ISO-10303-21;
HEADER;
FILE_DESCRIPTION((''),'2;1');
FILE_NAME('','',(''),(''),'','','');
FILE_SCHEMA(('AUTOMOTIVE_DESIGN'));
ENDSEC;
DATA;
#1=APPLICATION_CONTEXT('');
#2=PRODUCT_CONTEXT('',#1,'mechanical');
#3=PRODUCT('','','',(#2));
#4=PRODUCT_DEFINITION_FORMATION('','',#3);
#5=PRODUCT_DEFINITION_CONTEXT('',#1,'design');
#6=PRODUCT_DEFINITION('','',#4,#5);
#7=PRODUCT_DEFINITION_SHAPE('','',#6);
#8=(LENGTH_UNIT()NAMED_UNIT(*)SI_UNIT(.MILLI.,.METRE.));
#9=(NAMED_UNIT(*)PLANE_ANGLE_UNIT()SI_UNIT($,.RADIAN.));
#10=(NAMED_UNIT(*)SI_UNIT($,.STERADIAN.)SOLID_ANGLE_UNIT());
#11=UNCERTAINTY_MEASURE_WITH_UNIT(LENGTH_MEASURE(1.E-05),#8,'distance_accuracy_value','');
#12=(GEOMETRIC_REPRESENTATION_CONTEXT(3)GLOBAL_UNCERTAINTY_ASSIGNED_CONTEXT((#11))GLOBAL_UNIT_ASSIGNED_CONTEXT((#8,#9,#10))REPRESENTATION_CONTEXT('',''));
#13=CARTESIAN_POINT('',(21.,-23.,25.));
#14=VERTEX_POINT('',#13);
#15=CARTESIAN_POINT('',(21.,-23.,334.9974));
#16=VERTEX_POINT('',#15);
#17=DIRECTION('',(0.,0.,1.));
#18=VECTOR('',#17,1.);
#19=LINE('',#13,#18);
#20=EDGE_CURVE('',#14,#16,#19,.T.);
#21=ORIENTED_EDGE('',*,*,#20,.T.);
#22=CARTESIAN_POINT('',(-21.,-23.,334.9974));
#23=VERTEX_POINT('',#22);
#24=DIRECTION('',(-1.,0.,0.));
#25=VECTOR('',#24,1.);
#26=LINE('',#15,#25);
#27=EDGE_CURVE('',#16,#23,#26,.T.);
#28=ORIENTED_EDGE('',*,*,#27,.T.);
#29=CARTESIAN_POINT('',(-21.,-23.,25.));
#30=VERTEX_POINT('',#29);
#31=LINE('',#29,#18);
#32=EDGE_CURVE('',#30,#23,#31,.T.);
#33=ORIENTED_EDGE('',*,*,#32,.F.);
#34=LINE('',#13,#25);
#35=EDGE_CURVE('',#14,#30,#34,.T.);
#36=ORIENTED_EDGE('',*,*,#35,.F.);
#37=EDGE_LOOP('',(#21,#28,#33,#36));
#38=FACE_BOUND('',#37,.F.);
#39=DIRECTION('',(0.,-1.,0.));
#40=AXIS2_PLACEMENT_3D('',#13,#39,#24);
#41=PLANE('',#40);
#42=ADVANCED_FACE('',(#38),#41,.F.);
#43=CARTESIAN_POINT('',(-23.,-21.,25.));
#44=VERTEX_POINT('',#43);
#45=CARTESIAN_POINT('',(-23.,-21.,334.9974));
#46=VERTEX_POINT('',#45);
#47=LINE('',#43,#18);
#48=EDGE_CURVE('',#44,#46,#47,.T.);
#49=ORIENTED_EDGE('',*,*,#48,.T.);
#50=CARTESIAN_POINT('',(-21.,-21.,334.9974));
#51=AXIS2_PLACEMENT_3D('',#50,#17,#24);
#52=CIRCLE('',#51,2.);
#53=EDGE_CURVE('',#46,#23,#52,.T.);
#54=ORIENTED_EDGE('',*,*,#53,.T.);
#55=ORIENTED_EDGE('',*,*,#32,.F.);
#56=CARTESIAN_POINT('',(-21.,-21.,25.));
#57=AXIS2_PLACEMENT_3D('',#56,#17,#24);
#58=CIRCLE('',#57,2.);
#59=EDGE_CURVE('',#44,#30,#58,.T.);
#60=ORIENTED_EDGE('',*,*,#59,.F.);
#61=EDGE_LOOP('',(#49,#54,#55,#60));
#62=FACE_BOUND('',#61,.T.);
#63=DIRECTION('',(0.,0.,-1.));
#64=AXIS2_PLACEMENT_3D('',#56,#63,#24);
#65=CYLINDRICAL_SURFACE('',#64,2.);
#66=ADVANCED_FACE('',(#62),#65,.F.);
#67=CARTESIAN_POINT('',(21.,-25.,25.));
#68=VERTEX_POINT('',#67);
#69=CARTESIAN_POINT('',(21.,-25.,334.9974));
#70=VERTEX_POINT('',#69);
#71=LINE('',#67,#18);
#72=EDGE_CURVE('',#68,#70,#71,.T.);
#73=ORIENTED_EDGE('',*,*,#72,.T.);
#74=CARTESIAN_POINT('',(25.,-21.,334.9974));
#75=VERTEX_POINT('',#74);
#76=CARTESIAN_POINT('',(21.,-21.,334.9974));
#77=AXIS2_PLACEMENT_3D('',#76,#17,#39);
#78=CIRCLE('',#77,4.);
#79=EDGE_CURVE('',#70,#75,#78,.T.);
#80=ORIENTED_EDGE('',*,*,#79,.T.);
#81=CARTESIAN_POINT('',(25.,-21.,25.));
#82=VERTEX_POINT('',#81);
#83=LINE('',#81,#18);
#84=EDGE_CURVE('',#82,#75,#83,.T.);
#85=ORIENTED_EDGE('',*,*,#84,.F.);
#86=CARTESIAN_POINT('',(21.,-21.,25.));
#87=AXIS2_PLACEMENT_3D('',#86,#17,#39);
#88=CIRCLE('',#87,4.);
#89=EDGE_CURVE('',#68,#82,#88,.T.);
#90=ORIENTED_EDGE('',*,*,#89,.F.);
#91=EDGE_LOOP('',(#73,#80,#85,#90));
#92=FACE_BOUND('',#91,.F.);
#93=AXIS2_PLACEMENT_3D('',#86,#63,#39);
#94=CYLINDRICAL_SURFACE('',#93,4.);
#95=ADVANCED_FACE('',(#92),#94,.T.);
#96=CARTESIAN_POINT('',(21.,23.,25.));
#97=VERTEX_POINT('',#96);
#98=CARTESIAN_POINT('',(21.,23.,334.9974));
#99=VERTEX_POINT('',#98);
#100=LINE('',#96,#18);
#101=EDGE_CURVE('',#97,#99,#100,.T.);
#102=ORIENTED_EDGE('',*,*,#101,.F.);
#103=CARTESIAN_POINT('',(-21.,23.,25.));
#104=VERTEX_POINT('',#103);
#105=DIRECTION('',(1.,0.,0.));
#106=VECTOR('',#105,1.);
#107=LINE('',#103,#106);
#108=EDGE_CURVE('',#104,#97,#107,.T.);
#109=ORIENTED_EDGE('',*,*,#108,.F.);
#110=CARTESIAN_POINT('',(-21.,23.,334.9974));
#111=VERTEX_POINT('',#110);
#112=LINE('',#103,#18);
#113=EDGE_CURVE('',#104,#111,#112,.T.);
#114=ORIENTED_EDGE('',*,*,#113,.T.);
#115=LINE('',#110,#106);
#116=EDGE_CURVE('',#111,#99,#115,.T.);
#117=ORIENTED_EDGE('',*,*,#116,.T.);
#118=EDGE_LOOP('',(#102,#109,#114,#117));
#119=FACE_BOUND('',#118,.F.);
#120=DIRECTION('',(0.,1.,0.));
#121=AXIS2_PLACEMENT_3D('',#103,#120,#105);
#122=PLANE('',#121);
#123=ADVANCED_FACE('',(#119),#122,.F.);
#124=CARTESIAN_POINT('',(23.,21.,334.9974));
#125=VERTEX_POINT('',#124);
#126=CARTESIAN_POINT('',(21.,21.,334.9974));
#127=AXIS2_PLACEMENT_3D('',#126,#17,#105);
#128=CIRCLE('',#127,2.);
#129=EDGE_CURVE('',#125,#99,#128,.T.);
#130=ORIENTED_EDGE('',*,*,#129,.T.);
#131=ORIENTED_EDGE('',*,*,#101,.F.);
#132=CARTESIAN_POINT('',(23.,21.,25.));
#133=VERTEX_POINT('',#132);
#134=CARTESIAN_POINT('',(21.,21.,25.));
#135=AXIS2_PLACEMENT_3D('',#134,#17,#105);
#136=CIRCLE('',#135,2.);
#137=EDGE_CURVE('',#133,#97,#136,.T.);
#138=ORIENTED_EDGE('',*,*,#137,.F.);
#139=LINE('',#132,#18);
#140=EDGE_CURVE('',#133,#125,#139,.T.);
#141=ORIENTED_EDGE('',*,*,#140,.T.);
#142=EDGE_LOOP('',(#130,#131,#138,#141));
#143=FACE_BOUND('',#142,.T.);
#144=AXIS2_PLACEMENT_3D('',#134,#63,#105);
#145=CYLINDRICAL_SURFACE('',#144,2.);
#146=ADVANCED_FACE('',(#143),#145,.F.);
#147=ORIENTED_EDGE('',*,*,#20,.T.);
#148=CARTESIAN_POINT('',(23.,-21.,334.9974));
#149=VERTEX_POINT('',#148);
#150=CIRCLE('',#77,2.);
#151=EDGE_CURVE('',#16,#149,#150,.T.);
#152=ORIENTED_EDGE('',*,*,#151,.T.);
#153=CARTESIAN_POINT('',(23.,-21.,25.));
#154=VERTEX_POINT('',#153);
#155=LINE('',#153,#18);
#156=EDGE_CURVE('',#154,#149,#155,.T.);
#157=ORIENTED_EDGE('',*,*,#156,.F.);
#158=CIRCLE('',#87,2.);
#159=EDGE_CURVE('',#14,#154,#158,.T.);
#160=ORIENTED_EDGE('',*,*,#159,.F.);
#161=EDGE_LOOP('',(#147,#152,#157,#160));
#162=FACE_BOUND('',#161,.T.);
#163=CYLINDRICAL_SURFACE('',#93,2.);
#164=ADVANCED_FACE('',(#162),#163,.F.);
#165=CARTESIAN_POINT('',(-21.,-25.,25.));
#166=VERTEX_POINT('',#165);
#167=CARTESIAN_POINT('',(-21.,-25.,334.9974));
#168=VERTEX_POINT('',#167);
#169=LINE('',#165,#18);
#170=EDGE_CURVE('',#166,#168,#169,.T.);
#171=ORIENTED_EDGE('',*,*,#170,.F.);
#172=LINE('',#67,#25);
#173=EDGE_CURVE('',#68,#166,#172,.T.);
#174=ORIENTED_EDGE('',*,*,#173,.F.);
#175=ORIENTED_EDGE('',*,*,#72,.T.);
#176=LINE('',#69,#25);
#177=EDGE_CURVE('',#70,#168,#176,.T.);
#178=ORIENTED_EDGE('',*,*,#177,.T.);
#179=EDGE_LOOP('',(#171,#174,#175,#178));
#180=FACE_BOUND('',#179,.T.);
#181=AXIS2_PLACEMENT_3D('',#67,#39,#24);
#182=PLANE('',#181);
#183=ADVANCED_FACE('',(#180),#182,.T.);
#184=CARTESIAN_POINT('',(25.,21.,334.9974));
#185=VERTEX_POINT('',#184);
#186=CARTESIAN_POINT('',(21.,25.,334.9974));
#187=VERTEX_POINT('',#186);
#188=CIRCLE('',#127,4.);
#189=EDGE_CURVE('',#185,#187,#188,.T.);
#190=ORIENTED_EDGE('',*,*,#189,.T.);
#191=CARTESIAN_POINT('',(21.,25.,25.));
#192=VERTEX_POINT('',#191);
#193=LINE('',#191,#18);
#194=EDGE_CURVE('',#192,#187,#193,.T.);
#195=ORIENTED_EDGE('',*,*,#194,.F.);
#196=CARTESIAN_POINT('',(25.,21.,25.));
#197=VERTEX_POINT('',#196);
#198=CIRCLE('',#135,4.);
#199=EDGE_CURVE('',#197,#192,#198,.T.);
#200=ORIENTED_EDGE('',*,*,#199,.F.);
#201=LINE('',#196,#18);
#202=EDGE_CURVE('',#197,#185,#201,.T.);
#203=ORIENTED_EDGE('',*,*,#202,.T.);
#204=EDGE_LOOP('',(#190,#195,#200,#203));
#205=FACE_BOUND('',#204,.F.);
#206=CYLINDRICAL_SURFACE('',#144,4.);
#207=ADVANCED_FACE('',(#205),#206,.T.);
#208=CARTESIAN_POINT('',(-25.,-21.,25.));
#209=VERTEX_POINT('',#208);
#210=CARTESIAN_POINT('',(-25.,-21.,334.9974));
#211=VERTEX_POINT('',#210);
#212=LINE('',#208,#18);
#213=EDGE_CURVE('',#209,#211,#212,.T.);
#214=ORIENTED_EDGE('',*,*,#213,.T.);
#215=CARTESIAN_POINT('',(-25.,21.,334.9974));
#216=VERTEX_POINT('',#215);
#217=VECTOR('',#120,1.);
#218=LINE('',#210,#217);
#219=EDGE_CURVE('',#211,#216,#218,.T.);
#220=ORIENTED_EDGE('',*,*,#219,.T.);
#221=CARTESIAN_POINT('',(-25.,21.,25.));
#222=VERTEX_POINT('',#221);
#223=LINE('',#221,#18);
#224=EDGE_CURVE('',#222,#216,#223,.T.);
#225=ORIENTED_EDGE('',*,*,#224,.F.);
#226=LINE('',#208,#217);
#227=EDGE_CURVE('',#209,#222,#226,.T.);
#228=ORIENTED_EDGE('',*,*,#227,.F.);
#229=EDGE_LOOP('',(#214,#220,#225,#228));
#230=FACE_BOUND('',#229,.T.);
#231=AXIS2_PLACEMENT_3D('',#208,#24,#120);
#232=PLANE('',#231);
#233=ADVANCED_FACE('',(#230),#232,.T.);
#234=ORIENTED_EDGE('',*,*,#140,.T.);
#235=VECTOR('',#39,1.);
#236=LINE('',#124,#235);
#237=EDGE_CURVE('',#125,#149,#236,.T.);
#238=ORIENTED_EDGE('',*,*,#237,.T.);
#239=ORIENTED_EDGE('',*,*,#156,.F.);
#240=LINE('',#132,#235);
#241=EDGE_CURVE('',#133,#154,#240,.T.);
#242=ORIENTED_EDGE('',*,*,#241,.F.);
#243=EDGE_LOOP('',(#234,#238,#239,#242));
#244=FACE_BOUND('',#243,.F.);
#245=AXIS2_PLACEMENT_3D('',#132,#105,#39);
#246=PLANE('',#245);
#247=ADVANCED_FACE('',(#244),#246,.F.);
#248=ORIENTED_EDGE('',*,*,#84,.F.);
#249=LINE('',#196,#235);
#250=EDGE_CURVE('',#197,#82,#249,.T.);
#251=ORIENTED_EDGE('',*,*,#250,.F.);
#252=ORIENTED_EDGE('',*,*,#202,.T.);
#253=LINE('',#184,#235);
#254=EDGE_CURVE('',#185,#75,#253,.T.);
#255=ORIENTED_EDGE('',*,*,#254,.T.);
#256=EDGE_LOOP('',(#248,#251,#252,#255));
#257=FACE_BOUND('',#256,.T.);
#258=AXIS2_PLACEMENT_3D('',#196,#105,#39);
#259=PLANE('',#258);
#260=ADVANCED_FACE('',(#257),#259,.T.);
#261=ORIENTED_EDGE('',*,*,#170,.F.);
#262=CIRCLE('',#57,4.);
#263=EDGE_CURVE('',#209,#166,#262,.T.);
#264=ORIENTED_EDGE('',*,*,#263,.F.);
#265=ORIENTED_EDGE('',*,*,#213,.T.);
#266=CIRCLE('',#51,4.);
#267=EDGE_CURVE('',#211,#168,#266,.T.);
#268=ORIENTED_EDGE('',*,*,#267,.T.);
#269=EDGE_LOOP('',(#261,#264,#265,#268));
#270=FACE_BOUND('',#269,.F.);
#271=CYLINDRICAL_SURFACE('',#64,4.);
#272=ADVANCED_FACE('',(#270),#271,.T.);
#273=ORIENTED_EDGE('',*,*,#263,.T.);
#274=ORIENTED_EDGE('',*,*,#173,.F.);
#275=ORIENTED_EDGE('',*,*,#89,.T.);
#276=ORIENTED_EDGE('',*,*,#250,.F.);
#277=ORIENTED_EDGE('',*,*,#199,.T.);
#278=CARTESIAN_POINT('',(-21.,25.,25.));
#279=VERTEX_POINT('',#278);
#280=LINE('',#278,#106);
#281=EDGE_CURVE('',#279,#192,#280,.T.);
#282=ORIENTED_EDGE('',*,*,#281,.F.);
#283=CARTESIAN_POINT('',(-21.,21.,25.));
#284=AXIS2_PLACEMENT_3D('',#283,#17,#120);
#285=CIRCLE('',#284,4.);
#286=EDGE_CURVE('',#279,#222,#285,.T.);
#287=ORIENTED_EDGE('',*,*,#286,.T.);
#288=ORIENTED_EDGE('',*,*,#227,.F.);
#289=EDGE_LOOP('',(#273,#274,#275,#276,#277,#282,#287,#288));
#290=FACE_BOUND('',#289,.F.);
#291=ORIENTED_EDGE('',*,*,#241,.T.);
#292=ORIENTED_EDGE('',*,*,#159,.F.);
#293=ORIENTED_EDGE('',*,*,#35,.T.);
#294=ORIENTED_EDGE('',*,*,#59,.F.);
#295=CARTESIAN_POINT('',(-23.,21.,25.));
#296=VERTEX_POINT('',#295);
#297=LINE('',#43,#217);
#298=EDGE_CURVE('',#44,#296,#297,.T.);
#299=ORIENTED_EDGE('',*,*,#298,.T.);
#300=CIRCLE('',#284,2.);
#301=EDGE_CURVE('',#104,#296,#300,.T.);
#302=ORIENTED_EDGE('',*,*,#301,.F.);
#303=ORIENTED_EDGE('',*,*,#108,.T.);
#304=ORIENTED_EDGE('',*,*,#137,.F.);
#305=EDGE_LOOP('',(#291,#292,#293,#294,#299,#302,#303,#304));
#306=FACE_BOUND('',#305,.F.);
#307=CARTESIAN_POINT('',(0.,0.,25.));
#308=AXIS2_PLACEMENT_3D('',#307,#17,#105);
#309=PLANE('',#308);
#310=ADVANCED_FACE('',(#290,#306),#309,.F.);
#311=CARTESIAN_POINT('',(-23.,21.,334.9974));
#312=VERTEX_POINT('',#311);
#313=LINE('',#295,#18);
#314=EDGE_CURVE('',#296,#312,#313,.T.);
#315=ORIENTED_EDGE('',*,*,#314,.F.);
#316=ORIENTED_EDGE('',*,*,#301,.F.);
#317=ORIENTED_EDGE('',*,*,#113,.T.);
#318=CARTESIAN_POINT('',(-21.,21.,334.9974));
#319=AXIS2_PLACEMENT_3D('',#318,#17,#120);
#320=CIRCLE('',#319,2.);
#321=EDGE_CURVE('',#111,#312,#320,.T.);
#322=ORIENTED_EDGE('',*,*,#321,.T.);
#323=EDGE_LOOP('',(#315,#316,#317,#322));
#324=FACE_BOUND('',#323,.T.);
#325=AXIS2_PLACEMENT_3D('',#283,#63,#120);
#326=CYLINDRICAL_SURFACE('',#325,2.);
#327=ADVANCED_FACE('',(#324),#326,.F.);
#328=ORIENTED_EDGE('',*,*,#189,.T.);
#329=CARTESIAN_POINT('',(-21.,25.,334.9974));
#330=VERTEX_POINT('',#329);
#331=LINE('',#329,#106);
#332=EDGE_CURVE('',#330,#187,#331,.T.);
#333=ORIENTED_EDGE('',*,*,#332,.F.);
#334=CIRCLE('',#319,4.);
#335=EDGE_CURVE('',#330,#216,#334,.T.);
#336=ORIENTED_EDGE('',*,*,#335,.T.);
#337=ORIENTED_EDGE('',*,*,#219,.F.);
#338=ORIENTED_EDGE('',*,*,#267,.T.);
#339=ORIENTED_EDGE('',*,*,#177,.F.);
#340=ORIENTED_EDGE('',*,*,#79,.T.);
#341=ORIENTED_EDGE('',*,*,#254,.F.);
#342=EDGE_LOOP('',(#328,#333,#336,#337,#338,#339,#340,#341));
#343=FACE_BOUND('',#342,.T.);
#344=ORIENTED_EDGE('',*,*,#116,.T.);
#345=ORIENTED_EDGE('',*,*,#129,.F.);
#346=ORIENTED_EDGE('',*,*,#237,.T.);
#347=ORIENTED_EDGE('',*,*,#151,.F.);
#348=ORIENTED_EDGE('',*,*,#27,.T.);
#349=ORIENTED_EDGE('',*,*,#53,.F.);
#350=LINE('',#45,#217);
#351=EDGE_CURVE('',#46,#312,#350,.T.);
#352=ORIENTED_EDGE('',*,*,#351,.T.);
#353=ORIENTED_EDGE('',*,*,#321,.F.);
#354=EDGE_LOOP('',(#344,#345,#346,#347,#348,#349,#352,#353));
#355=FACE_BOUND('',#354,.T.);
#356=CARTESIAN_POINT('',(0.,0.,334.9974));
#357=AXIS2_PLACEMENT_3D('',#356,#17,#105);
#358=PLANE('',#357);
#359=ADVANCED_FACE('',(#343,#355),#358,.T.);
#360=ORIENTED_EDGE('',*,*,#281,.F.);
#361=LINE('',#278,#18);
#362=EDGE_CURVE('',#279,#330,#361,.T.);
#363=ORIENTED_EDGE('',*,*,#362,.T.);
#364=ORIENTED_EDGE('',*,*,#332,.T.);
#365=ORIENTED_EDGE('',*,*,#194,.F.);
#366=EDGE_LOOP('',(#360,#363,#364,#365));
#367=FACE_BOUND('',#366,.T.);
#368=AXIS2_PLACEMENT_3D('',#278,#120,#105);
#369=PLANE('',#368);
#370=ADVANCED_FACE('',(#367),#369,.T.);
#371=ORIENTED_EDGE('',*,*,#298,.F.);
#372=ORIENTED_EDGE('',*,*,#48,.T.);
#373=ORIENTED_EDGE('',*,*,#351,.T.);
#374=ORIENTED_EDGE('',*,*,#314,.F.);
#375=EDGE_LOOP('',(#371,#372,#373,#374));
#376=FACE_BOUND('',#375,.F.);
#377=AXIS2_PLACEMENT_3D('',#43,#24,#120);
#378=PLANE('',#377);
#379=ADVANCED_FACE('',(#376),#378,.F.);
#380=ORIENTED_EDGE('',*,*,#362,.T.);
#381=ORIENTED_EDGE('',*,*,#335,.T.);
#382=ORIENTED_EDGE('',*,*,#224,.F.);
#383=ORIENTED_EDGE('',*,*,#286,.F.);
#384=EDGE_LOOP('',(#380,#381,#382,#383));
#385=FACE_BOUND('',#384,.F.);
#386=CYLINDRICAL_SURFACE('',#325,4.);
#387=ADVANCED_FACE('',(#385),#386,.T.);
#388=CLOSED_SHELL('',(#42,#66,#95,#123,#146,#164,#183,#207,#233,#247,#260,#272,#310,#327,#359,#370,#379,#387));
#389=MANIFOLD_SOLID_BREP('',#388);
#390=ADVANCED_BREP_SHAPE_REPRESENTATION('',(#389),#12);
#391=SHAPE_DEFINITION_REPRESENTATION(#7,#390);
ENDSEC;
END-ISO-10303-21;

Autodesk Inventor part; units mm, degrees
ref_plane "Start Plane" through (0, 0, 25) normal (0, 0, 1) x (1, 0, 0)
ref_plane "End Plane" through (0, 0, 334.9974) normal (0, 0, 1) x (1, 0, 0)
sketch "Sketch" plane through (0, 0, 0) normal (0, 0, 1) x (1, 0, 0)
  line L0 (-25, -21) -> (-25, 21)
  line L1 (-21, 25) -> (21, 25)
  line L2 (25, 21) -> (25, -21)
  line L3 (21, -25) -> (-21, -25)
  arc A0 (-25, -21) -> (-21, -25) centre (-21, -21) ccw
  arc A1 (25, 21) -> (21, 25) centre (21, 21) ccw
  arc A2 (-21, 25) -> (-25, 21) centre (-21, 21) ccw
  arc A3 (21, -25) -> (25, -21) centre (21, -21) ccw
  arc A4 (-21, 23) -> (-23, 21) centre (-21, 21) ccw
  line L4 (-21, 23) -> (21, 23)
  arc A5 (23, 21) -> (21, 23) centre (21, 21) ccw
  line L5 (23, 21) -> (23, -21)
  arc A6 (21, -23) -> (23, -21) centre (21, -21) ccw
  line L6 (21, -23) -> (-21, -23)
  arc A7 (-23, -21) -> (-21, -23) centre (-21, -21) ccw
  line L7 (-23, -21) -> (-23, 21)
  line L8 (0, 36.1598) -> (0, -36.1598) construction
  line L9 (-36.1598, 0) -> (36.1598, 0) construction
  dimension "d7" = 4
  dimension "d9" = 50
  dimension "d11" = 50
  dimension "d12" = 2
  dimension "d15" = 25
  dimension "d16" = 25
extrude "Body" add sketch "Sketch" along normal up to surface (309.9974 mm away) from surface at 25
sketch "Sketch3" plane through (0, 0, 0) normal (0, 0, 1) x (1, 0, 0)
  line L0 (0, 0) -> (10, 0)
ref_plane "Work Plane3" through (0, 0, 0) normal (0, -1, 0) x (1, 0, 0)
sketch "Sketch4" plane through (0, 0, 0) normal (0, -1, 0) x (1, 0, 0)
  line L0 (-2, 25) -> (12, 25)
  line L1 (-2, 334.9974) -> (12, 334.9974)
  dimension "d18" = 309.9974
ref_plane "Work Plane4" through (1275, 21, 25) normal (0, 0, -1) x (-1, 0, 0)
split "Split1" plane through (1275, 21, 25) removes the side toward (0, 0, -1)
ref_plane "Work Plane5" through (-1042.5, 21, 334.9974) normal (0, 0, 1) x (1, 0, 0)
split "Split2" plane through (-1042.5, 21, 334.9974) removes the side toward (0, 0, 1)
ref_plane "Work Plane6" through (1270, -21, 785) normal (0, 0, 1) x (1, 0, 0)
split "Split3" plane through (1270, -21, 785) removes the side toward (0, 0, 1)
equation "\"d7\" = G_IR"
equation "\"d9\" = G_W"
equation "\"d11\" = G_H"
equation "\"d12\" = G_T"
equation "\"d15\" = 0.5 * d9"
equation "\"d16\" = 0.5 * d11"
equation "\"d3\" = G_L"
equation "\"G_W\" = 50"
equation "\"G_H\" = 50"
equation "\"G_T\" = 2"
equation "\"G_IR\" = 4"
equation "\"G_L\" = d18"
equation "\"G_OFFSET_START\" = -25"
equation "\"G_OFFSET_END\" = 124.9974"
equation "\"d13\" = -G_OFFSET_START"
equation "\"d14\" = G_OFFSET_END + B_L"
equation "\"B_L\" = 210"
properties part number "ISO 10799-2 - 50x50x2 - 310" material "Steel, Galvanized"
